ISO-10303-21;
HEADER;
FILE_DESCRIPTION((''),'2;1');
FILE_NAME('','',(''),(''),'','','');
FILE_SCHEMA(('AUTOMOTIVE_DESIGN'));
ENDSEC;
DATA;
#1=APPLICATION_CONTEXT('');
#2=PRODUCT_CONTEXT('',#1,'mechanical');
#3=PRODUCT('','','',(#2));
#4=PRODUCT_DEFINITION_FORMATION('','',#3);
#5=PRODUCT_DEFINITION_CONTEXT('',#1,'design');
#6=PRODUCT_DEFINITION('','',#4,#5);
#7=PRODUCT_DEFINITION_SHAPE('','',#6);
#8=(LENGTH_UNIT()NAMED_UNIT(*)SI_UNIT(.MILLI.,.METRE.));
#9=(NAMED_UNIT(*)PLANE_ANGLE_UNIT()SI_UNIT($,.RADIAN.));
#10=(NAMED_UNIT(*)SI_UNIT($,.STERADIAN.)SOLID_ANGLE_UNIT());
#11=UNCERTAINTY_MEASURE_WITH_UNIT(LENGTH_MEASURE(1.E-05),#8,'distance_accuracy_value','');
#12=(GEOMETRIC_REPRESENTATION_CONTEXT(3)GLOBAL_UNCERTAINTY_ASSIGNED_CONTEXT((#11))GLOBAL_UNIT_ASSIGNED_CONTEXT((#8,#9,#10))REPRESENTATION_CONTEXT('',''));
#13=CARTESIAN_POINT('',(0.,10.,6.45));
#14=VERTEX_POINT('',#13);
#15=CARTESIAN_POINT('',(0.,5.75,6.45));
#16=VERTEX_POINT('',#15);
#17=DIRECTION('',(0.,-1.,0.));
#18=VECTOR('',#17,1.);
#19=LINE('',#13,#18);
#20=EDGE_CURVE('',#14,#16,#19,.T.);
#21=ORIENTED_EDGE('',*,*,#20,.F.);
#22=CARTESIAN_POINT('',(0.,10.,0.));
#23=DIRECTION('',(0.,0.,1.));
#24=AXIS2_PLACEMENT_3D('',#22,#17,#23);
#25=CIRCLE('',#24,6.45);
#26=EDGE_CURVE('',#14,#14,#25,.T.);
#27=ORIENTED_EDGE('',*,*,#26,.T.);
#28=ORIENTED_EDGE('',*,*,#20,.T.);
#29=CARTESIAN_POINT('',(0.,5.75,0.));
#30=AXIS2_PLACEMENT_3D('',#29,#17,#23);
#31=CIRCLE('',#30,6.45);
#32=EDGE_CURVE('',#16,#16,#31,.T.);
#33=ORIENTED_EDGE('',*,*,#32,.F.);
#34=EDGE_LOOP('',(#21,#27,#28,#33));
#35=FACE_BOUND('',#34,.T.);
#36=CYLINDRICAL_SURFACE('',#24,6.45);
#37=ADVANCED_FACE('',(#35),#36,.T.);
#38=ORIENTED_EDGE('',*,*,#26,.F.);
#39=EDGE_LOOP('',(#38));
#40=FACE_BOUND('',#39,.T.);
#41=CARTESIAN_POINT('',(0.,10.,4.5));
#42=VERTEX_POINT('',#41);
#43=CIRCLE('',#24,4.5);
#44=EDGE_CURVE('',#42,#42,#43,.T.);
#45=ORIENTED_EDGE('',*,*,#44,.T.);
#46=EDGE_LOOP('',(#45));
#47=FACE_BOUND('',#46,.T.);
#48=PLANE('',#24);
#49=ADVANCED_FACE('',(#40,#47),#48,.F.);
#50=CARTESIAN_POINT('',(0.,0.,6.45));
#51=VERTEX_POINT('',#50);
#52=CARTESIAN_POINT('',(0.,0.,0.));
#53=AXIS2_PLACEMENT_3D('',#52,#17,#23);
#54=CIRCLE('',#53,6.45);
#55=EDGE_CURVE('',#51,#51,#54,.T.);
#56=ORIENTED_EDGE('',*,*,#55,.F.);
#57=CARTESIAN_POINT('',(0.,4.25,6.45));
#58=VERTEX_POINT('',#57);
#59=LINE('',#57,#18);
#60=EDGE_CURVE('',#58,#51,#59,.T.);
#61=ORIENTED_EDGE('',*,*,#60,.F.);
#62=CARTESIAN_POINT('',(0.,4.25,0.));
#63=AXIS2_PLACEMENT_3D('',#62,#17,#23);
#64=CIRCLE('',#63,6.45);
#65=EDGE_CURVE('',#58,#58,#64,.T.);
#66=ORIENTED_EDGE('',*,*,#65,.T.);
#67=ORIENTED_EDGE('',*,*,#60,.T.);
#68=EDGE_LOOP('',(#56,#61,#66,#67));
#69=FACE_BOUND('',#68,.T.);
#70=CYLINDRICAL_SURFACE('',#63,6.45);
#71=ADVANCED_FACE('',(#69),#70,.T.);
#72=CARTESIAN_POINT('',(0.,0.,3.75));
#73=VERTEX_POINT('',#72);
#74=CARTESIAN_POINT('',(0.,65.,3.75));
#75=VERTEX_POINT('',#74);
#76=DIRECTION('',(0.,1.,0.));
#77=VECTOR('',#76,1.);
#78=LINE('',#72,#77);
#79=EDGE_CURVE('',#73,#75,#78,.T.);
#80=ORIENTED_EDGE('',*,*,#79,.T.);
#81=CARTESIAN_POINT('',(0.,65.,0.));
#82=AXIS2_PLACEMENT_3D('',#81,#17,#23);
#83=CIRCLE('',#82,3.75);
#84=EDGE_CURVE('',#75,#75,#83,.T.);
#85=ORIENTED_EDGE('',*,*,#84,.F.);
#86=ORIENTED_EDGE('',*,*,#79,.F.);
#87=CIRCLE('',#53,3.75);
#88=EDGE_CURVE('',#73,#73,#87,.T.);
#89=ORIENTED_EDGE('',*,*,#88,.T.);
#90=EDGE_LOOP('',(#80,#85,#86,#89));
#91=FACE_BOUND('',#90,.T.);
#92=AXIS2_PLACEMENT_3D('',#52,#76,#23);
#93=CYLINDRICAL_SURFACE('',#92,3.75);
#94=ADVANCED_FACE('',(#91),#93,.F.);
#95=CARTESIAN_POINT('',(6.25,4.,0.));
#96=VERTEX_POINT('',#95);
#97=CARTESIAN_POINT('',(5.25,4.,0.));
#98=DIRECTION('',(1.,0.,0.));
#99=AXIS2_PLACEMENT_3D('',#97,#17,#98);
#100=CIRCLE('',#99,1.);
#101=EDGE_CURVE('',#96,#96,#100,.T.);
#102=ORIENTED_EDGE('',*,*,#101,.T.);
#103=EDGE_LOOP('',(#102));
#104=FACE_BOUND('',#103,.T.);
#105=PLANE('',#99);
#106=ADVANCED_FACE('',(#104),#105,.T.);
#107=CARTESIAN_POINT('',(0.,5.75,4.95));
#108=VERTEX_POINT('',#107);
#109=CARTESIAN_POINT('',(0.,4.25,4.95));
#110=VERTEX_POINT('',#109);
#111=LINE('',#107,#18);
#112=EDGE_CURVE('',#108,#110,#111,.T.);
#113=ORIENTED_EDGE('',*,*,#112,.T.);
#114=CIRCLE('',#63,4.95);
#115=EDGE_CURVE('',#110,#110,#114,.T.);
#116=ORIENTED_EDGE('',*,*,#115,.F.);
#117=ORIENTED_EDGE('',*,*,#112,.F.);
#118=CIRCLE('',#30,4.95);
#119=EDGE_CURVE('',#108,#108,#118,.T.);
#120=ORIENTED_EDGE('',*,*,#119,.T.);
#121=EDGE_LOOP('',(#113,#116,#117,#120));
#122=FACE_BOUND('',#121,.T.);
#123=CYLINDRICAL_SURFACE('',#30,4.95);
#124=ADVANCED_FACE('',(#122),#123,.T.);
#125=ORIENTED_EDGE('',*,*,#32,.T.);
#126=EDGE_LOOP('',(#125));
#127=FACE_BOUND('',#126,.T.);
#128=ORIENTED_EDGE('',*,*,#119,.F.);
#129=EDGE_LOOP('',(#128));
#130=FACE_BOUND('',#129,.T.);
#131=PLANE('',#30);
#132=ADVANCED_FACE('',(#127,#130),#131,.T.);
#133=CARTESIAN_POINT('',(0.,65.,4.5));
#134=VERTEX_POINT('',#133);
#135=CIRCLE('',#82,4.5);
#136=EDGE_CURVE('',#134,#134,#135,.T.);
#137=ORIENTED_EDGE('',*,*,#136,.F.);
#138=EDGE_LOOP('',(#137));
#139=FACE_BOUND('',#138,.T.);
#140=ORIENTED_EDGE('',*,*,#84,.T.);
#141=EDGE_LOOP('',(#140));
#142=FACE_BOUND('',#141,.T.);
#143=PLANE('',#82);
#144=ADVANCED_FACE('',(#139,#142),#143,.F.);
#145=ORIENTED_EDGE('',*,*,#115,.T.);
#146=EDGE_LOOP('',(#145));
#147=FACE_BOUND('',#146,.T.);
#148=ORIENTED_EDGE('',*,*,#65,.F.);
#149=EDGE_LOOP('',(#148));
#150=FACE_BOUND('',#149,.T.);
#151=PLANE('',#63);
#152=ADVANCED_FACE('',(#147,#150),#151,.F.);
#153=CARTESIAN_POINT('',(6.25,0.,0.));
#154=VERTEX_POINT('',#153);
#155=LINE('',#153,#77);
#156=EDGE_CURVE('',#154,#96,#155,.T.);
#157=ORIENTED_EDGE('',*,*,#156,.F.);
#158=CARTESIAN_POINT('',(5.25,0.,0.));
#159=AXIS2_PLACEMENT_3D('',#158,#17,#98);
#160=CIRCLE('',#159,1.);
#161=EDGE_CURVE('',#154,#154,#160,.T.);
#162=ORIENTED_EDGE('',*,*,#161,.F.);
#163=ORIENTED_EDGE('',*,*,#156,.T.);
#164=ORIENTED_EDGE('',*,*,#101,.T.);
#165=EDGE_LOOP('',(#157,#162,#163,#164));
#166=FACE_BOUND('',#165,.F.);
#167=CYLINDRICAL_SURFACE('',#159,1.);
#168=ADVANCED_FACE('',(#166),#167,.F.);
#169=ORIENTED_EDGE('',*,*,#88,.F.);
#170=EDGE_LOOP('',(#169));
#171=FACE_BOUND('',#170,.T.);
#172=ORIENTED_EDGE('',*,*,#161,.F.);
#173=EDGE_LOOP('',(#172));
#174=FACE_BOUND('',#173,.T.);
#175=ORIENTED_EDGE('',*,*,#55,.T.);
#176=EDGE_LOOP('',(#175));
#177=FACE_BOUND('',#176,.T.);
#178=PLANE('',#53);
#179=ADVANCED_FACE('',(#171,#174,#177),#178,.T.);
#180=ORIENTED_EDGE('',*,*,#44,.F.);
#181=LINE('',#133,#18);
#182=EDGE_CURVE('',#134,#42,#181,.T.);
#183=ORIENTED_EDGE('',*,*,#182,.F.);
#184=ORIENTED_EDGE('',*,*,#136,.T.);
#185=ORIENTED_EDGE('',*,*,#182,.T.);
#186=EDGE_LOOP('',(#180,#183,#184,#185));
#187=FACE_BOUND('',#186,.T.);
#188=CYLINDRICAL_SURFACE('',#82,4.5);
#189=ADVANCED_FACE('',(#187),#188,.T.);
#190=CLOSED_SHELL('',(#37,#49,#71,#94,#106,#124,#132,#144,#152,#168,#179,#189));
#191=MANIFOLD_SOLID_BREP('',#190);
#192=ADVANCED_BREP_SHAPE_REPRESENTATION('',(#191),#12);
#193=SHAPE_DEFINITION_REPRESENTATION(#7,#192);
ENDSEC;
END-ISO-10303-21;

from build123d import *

# Parameters (mm, degrees)
F2_R     = 1
F3_DEPTH = 4


with BuildPart() as f1:
    # F0 (on Right) → F1 (revolve)
    with BuildSketch(Plane.YZ):
        Polygon((0, 3.75), (65, 3.75), (65, 4.5), (10, 4.5), (10, 6.45), (5.75, 6.45), (5.75, 4.95), (4.25, 4.95), (4.25, 6.45), (0, 6.45), align=None)
    revolve(axis=Axis((0, 5.735075, 0), (0, -1, 0)))

    # F2 (on face) → F3 (cut)
    with BuildSketch(Plane.XZ):
        with Locations((5.25, 0)):
            Circle(F2_R)
    extrude(amount=-F3_DEPTH, mode=Mode.SUBTRACT)


solid = f1.part
